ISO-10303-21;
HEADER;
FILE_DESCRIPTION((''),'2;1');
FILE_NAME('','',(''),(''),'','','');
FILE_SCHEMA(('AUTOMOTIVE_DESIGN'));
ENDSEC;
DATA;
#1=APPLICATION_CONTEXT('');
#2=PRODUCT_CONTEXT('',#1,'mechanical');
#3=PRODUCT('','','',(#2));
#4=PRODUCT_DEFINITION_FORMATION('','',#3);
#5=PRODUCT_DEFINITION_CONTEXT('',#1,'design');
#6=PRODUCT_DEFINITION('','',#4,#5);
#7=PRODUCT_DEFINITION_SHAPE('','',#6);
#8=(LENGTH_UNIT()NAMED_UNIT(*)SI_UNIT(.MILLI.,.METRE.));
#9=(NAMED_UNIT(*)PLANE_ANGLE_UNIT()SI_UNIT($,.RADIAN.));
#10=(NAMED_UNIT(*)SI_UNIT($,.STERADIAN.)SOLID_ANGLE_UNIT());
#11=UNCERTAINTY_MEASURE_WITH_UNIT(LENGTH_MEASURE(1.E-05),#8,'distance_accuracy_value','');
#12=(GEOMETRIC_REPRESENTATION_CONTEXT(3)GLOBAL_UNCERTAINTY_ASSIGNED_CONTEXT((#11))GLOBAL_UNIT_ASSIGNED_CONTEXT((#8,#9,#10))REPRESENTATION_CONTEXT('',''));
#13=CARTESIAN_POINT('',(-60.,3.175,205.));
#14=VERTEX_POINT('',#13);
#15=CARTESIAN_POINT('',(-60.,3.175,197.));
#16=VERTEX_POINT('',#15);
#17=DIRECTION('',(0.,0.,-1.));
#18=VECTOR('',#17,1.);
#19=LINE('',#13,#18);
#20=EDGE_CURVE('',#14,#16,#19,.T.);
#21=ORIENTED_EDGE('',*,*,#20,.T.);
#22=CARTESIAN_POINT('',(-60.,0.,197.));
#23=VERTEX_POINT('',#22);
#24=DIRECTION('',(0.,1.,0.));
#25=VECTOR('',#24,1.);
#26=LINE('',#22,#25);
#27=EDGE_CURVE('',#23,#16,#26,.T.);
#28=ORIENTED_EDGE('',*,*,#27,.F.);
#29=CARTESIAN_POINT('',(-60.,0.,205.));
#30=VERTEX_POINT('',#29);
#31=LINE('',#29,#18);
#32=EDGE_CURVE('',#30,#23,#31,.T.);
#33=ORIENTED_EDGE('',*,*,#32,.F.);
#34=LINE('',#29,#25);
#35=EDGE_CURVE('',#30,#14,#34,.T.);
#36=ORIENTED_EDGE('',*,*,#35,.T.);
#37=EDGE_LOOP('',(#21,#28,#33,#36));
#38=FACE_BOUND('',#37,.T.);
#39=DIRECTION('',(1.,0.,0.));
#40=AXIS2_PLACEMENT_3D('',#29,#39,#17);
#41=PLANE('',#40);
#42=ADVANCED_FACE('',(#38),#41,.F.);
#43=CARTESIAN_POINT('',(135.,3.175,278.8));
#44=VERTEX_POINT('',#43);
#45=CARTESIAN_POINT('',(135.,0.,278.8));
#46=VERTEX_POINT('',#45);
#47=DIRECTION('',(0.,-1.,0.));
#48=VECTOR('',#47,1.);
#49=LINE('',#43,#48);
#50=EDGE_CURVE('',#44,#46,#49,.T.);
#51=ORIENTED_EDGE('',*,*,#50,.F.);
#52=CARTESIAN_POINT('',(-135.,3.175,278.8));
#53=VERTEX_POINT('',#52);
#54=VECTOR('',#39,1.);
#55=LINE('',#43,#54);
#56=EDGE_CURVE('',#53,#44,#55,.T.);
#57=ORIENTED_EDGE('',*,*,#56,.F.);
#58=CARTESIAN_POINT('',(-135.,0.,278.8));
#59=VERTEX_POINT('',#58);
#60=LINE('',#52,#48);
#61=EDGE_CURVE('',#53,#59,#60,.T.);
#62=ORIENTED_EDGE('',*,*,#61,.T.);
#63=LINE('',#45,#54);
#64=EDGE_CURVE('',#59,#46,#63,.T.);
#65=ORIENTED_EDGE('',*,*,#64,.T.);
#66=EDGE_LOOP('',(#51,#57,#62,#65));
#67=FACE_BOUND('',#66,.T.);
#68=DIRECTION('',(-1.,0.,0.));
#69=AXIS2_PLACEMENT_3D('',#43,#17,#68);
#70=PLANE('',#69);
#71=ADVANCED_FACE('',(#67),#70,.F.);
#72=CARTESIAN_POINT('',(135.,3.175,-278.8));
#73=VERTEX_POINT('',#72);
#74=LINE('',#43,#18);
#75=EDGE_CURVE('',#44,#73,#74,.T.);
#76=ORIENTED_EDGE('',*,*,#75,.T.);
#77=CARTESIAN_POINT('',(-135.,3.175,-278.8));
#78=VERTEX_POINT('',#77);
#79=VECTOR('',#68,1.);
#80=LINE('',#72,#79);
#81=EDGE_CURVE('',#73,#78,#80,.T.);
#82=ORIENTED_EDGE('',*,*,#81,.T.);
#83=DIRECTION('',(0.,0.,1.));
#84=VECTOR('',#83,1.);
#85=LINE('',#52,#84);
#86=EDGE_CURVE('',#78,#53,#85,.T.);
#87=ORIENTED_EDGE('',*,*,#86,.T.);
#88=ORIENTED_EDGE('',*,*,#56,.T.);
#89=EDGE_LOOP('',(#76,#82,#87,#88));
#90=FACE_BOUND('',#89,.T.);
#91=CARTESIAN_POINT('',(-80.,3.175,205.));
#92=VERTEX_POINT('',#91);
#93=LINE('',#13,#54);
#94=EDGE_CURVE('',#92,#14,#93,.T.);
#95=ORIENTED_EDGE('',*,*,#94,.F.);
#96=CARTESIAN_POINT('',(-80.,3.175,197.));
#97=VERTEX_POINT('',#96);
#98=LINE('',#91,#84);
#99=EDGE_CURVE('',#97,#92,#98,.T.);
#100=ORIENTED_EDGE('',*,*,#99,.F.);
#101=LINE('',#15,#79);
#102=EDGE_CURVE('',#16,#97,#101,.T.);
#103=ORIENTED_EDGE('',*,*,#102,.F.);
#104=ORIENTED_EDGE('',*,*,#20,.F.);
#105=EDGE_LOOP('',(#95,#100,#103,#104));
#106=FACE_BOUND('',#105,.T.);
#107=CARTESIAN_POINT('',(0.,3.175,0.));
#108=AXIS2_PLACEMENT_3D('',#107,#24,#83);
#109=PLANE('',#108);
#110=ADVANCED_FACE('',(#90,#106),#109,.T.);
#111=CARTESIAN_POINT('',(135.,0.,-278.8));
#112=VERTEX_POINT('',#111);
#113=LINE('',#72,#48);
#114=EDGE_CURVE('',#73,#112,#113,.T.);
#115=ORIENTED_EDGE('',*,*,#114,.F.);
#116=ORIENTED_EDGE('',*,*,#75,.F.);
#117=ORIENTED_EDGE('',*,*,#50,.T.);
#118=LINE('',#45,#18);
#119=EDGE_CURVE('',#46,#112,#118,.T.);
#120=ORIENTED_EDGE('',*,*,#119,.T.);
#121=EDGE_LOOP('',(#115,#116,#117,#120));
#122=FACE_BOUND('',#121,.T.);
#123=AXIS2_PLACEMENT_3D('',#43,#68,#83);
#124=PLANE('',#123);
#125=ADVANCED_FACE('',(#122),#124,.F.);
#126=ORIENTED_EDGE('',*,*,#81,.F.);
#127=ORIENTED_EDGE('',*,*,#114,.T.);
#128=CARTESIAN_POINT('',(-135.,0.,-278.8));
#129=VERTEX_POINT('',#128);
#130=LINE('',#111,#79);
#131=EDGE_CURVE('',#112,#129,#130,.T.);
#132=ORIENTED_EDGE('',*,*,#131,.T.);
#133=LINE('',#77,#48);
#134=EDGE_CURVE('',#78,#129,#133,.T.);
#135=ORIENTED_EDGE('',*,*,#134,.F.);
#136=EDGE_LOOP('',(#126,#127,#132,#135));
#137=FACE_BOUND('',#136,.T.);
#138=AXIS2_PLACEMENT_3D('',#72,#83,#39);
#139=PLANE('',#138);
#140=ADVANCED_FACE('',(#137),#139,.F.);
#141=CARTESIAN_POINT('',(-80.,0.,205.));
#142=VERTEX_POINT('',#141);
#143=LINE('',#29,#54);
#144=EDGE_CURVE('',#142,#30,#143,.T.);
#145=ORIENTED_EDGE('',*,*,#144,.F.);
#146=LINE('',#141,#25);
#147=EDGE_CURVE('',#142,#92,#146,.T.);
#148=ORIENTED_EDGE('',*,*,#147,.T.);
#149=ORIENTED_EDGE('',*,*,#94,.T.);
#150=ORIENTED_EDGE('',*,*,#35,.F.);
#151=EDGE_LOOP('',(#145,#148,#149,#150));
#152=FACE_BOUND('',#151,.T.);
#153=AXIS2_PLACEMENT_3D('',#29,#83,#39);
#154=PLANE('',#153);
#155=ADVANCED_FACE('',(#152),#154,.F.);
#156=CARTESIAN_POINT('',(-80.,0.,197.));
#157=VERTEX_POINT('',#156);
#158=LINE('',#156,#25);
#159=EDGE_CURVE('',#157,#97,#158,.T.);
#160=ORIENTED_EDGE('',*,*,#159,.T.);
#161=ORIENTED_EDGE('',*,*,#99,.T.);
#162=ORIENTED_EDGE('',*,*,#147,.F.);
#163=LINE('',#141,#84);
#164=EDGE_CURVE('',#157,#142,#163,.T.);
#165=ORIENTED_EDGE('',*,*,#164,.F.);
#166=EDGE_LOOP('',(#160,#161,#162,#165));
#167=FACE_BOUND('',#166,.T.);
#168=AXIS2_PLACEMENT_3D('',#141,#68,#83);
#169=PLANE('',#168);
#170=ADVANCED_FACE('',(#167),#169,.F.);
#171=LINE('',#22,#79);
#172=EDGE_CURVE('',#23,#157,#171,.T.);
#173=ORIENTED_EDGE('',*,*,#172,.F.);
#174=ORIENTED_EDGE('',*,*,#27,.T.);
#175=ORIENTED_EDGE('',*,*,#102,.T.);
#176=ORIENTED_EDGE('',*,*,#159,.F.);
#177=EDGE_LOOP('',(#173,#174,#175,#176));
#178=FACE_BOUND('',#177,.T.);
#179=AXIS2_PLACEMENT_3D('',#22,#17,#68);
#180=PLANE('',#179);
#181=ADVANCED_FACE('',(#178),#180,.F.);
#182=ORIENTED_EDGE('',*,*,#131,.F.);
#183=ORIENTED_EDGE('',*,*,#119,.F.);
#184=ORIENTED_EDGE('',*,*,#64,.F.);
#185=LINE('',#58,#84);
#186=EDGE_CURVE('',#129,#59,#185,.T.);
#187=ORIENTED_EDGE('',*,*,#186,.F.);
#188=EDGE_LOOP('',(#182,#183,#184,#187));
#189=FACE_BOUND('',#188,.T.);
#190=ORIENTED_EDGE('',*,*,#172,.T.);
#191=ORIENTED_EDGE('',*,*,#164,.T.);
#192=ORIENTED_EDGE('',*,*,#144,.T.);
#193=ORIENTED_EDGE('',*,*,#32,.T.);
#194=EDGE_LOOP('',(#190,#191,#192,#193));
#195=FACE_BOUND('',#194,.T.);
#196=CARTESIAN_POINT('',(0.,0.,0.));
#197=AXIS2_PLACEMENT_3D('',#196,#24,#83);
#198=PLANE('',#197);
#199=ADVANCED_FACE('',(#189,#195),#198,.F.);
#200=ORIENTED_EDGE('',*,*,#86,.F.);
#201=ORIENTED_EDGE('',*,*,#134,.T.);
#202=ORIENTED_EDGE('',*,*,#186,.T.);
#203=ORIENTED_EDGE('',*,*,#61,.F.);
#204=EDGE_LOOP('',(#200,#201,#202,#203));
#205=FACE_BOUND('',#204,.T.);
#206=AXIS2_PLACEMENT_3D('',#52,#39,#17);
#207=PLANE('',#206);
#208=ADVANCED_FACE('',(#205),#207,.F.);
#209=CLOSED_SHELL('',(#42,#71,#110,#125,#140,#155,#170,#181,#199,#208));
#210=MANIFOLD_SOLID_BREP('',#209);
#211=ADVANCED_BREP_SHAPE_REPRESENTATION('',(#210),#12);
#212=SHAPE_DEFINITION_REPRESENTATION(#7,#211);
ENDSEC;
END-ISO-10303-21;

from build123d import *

# Parameters (mm, degrees)
SKETCH1_W           = 270
SKETCH1_H           = 557.6
BOSS_EXTRUDE1_DEPTH = 3.175
SKETCH2_W           = 20
SKETCH2_H           = 8
CUT_EXTRUDE1_DEPTH  = 310.78140781


with BuildPart() as part:
    # Sketch1 → Boss-Extrude1 (new body)
    with BuildSketch(Plane(origin=(0, 0, 0), x_dir=(1, 0, 0), z_dir=(0, 1, 0))):
        Rectangle(SKETCH1_W, SKETCH1_H)
    extrude(amount=BOSS_EXTRUDE1_DEPTH)

    # Sketch2 → Cut-Extrude1 (cut, through all)
    with BuildSketch(Plane(origin=(0, 3.175, 0), x_dir=(1, 0, 0), z_dir=(0, 1, 0))):
        with Locations((-70, -201)):
            Rectangle(SKETCH2_W, SKETCH2_H)
    extrude(amount=-CUT_EXTRUDE1_DEPTH, mode=Mode.SUBTRACT)


solid = part.part
